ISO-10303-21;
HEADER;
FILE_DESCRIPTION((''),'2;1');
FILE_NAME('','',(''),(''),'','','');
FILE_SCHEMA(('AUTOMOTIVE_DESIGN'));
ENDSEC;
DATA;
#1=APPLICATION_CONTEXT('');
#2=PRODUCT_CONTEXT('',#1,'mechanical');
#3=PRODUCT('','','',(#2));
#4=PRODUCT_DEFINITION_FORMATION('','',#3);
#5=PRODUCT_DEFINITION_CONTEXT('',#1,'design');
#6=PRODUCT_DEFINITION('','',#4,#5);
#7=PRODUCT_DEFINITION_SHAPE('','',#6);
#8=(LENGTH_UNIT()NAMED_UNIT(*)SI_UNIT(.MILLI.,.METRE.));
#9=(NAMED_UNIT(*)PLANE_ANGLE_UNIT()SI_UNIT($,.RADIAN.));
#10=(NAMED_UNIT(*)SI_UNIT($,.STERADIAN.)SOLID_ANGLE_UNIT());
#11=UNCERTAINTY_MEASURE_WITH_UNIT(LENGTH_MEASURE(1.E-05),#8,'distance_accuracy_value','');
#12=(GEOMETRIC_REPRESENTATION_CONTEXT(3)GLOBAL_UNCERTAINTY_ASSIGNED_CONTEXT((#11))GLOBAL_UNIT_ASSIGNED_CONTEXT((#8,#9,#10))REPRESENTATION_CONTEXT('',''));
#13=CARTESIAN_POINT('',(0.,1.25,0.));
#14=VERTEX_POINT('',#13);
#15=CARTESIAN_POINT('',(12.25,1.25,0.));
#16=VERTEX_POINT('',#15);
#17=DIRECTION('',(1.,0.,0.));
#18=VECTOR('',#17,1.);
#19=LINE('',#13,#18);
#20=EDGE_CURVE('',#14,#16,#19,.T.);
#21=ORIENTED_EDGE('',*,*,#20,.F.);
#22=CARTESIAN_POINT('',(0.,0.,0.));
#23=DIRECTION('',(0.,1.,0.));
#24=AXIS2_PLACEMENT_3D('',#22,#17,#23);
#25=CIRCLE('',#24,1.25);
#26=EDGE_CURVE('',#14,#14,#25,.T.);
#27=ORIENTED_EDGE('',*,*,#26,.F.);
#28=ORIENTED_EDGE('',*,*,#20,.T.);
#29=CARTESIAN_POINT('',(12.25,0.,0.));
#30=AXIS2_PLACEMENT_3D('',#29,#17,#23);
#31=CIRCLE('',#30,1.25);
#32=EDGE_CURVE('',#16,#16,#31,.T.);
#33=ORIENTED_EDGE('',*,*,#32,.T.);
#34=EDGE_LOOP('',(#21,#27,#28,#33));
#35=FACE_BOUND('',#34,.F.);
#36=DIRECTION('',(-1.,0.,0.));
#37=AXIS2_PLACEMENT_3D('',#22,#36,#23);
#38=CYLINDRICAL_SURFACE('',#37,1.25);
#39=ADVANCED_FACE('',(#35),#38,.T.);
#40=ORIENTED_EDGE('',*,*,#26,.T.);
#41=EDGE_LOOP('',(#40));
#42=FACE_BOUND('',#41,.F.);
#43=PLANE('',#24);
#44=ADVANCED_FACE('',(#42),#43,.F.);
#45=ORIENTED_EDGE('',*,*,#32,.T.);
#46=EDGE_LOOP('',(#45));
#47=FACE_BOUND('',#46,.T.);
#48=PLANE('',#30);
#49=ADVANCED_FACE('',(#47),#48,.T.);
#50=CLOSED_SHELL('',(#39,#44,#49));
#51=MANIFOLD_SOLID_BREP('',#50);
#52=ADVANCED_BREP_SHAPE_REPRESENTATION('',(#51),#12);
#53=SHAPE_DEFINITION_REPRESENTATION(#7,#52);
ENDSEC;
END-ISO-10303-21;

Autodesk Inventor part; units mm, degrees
ref_plane "YZ Plane" through (0, 0, 0) normal (1, 0, 0) x (0, 1, 0)
ref_plane "XZ Plane" through (0, 0, 0) normal (0, 1, 0) x (-1, 0, 0)
ref_plane "XY Plane" through (0, 0, 0) normal (0, 0, 1) x (1, 0, 0)
sketch "Szkic1" plane through (0, 0, 0) normal (1, 0, 0) x (0, 1, 0)
  circle A0 centre (0, 0) radius 1.25
  dimension "d0" = 2.5
extrude "Wyciągnięcie proste1" add sketch "Szkic1" along normal blind 12.25
properties part number "Oś" material "Aluminium 6061"
